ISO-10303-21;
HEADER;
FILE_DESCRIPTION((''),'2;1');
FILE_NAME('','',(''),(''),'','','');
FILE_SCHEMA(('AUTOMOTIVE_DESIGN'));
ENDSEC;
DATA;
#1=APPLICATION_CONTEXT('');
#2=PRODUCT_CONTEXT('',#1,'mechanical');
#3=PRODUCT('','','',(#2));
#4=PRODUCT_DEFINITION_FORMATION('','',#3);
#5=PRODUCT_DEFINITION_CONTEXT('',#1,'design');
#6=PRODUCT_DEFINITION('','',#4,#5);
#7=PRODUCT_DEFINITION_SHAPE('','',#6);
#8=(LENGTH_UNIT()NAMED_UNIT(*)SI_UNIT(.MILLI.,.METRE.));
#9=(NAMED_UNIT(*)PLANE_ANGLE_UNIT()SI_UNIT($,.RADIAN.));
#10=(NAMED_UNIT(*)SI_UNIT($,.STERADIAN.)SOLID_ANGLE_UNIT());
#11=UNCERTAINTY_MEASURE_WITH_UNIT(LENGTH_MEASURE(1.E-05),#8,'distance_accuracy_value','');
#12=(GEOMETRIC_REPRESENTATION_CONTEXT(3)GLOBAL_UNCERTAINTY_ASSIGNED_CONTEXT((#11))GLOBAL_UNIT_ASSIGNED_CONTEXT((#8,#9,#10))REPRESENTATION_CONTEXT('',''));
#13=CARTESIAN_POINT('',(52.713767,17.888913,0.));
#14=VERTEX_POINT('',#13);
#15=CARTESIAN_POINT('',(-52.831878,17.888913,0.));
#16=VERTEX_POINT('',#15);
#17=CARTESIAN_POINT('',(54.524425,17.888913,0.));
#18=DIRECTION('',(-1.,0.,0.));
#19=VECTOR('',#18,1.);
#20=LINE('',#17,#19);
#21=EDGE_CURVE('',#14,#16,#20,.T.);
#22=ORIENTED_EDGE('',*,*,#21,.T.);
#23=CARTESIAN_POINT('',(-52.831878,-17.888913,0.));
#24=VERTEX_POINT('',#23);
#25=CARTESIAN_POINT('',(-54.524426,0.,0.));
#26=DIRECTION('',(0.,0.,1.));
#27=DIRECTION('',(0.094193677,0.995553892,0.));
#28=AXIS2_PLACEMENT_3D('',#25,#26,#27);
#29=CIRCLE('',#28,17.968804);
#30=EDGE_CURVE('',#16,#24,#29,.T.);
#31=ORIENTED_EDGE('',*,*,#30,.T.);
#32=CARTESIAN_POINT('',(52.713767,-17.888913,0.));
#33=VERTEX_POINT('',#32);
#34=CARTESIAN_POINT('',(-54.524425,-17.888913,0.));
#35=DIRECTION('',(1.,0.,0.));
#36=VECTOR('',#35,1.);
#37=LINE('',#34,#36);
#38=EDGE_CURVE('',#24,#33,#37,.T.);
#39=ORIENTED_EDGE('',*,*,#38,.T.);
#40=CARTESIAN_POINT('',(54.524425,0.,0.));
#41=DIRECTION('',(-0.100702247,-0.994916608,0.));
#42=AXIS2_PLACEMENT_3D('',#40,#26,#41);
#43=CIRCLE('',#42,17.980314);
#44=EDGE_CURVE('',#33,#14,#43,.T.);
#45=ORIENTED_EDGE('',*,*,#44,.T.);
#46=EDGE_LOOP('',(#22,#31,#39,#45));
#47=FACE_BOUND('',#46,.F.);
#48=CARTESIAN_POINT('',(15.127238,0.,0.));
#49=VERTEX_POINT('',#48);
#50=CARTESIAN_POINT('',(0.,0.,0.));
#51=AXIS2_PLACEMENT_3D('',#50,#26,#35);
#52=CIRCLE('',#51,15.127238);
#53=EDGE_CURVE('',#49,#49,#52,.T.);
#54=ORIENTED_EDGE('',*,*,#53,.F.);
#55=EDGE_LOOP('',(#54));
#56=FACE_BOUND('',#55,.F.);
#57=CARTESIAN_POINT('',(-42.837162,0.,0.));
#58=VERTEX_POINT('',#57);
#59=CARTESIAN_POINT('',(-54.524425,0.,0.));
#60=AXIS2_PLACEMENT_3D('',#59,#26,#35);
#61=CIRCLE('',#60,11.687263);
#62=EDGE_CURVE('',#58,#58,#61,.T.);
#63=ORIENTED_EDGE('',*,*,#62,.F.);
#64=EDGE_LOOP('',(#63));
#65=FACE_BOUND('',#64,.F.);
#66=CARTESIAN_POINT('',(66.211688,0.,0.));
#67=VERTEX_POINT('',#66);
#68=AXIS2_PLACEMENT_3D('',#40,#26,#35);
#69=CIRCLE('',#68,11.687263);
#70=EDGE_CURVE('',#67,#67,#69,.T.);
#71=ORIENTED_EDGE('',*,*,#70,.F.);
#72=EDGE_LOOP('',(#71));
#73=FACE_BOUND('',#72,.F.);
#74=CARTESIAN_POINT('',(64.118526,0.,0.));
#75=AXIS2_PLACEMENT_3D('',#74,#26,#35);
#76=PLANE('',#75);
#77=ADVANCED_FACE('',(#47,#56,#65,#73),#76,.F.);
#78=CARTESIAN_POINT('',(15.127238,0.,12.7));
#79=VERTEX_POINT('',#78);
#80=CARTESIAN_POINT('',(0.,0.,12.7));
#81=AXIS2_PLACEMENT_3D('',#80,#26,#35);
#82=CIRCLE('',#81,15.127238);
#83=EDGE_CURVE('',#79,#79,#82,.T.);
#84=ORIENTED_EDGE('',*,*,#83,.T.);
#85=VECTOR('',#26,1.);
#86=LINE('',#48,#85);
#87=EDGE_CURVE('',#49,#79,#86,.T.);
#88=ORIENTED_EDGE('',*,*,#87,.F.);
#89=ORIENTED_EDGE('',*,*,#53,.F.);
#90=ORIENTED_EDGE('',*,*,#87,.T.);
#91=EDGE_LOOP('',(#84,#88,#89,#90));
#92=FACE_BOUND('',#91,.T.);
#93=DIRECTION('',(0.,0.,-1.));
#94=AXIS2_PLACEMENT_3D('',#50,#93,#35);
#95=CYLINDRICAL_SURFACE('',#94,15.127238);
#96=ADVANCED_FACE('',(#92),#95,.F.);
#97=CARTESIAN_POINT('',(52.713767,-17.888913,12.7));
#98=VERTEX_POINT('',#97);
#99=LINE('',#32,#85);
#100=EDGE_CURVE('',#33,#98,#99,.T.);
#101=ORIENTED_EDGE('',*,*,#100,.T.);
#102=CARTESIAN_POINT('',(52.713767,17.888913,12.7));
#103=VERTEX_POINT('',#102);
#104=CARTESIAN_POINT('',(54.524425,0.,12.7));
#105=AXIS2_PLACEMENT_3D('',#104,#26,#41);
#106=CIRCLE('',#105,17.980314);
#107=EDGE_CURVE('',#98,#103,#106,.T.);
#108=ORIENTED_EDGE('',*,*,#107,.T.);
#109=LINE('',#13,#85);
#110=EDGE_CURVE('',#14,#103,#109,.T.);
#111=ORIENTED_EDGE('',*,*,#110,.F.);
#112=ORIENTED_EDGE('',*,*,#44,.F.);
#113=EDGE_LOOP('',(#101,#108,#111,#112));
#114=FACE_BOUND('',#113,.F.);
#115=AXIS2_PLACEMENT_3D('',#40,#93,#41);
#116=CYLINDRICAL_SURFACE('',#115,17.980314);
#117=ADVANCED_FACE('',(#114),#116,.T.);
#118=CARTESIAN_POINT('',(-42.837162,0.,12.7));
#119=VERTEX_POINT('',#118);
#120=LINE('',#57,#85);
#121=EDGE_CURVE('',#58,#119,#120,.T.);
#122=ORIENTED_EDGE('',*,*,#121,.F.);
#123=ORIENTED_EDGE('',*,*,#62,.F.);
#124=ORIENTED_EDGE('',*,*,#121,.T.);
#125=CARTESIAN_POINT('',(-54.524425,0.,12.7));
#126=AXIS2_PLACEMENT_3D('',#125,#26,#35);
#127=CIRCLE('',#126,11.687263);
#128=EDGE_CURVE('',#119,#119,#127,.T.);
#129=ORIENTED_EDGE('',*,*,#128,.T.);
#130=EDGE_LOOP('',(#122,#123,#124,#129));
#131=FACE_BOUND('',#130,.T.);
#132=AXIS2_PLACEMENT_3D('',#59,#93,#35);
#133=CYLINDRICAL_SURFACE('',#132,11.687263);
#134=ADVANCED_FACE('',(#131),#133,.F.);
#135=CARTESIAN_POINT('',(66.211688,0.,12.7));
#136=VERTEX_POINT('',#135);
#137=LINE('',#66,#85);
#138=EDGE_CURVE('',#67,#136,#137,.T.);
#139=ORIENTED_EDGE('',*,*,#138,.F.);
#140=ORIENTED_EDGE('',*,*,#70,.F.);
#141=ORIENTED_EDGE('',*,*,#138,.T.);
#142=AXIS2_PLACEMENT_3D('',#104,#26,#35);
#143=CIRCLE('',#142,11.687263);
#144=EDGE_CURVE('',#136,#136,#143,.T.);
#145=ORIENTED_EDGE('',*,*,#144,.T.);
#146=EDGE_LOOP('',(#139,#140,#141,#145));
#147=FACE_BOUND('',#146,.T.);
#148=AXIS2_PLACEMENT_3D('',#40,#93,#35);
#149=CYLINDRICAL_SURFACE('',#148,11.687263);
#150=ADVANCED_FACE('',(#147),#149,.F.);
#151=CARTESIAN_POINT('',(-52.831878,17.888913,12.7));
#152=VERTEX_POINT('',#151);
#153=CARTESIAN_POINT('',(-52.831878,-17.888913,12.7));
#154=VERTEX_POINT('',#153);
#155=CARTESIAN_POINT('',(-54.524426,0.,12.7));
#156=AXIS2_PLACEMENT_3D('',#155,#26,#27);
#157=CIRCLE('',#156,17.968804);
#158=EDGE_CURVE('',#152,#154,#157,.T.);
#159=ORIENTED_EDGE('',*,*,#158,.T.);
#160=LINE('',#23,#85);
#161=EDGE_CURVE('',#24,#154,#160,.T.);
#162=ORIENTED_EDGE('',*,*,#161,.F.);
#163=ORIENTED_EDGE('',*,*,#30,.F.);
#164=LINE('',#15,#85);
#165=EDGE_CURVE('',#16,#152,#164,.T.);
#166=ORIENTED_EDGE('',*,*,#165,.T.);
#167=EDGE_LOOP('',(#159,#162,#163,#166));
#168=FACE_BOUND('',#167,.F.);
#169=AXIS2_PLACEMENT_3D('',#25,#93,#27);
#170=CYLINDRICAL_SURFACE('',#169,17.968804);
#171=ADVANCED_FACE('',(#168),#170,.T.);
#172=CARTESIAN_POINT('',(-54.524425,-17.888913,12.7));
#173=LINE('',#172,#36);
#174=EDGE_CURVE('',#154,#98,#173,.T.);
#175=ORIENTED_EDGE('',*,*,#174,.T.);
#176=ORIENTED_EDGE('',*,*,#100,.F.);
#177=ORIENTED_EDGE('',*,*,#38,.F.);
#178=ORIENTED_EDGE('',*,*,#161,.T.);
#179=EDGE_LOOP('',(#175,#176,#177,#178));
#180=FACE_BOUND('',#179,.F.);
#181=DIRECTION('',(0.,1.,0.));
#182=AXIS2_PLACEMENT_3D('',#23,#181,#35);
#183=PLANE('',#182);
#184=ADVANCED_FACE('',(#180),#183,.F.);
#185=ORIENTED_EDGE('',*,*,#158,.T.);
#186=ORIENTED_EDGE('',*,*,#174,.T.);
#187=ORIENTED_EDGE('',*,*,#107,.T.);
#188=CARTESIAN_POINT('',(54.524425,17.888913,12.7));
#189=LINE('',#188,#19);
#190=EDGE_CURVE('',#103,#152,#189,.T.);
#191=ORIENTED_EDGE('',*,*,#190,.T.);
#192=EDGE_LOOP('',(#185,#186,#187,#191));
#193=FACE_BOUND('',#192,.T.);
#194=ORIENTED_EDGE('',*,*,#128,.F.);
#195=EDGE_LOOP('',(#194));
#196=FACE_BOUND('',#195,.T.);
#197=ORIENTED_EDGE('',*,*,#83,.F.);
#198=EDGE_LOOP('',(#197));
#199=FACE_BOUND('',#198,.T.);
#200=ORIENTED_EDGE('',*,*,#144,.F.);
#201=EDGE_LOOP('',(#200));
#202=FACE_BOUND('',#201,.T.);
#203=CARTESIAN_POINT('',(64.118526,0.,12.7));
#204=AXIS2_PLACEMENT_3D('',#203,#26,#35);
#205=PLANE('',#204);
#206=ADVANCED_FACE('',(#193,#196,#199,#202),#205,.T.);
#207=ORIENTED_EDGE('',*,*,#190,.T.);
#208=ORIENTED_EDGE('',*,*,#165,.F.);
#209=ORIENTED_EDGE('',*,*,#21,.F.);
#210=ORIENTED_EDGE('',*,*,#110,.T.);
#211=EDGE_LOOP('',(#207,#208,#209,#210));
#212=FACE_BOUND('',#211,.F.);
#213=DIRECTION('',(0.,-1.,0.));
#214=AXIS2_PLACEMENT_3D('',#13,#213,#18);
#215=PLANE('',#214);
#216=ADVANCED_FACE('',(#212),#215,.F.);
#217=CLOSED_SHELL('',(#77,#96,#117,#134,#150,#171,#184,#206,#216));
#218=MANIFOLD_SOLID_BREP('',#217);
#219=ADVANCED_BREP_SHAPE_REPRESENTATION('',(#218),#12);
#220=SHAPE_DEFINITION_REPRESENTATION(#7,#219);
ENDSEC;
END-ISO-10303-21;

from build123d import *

# Parameters (mm, degrees)
F0_R     = 11.687263
F0_R_2   = 15.127238
F1_DEPTH = 12.7


with BuildPart() as f1:
    # F0 (on Top) → F1 (new body)
    with BuildSketch(Plane.XY):
        with BuildLine():
            Line((52.713767, 17.888913), (54.524425, 17.888913))
            ThreePointArc((54.524425, 17.888913), (72.413338, 0), (54.524425, -17.888913))
            Line((54.524425, -17.888913), (52.713767, -17.888913))
            ThreePointArc((52.713767, -17.888913), (72.504739, 0), (52.713767, 17.888913))
        make_face()
        with BuildLine():
            Line((-54.524425, 17.888913), (-52.831878, 17.888913))
            ThreePointArc((-52.831878, 17.888913), (-72.49323, 0), (-52.831878, -17.888913))
            Line((-52.831878, -17.888913), (-54.524425, -17.888913))
            ThreePointArc((-54.524425, -17.888913), (-72.413338, 0), (-54.524425, 17.888913))
        make_face()
        with BuildLine():
            ThreePointArc((54.524425, -17.888913), (72.413338, 0), (54.524425, 17.888913))
            Line((54.524425, 17.888913), (52.713767, 17.888913))
            Line((52.713767, 17.888913), (-52.831878, 17.888913))
            Line((-52.831878, 17.888913), (-54.524425, 17.888913))
            ThreePointArc((-54.524425, 17.888913), (-72.413338, 0), (-54.524425, -17.888913))
            Line((-54.524425, -17.888913), (-52.831878, -17.888913))
            Line((-52.831878, -17.888913), (52.713767, -17.888913))
            Line((52.713767, -17.888913), (54.524425, -17.888913))
        make_face()
        with Locations((-54.524425, 0)):
            Circle(F0_R, mode=Mode.SUBTRACT)
        Circle(F0_R_2, mode=Mode.SUBTRACT)
        with Locations((54.524425, 0)):
            Circle(F0_R, mode=Mode.SUBTRACT)
    extrude(amount=F1_DEPTH)


solid = f1.part
